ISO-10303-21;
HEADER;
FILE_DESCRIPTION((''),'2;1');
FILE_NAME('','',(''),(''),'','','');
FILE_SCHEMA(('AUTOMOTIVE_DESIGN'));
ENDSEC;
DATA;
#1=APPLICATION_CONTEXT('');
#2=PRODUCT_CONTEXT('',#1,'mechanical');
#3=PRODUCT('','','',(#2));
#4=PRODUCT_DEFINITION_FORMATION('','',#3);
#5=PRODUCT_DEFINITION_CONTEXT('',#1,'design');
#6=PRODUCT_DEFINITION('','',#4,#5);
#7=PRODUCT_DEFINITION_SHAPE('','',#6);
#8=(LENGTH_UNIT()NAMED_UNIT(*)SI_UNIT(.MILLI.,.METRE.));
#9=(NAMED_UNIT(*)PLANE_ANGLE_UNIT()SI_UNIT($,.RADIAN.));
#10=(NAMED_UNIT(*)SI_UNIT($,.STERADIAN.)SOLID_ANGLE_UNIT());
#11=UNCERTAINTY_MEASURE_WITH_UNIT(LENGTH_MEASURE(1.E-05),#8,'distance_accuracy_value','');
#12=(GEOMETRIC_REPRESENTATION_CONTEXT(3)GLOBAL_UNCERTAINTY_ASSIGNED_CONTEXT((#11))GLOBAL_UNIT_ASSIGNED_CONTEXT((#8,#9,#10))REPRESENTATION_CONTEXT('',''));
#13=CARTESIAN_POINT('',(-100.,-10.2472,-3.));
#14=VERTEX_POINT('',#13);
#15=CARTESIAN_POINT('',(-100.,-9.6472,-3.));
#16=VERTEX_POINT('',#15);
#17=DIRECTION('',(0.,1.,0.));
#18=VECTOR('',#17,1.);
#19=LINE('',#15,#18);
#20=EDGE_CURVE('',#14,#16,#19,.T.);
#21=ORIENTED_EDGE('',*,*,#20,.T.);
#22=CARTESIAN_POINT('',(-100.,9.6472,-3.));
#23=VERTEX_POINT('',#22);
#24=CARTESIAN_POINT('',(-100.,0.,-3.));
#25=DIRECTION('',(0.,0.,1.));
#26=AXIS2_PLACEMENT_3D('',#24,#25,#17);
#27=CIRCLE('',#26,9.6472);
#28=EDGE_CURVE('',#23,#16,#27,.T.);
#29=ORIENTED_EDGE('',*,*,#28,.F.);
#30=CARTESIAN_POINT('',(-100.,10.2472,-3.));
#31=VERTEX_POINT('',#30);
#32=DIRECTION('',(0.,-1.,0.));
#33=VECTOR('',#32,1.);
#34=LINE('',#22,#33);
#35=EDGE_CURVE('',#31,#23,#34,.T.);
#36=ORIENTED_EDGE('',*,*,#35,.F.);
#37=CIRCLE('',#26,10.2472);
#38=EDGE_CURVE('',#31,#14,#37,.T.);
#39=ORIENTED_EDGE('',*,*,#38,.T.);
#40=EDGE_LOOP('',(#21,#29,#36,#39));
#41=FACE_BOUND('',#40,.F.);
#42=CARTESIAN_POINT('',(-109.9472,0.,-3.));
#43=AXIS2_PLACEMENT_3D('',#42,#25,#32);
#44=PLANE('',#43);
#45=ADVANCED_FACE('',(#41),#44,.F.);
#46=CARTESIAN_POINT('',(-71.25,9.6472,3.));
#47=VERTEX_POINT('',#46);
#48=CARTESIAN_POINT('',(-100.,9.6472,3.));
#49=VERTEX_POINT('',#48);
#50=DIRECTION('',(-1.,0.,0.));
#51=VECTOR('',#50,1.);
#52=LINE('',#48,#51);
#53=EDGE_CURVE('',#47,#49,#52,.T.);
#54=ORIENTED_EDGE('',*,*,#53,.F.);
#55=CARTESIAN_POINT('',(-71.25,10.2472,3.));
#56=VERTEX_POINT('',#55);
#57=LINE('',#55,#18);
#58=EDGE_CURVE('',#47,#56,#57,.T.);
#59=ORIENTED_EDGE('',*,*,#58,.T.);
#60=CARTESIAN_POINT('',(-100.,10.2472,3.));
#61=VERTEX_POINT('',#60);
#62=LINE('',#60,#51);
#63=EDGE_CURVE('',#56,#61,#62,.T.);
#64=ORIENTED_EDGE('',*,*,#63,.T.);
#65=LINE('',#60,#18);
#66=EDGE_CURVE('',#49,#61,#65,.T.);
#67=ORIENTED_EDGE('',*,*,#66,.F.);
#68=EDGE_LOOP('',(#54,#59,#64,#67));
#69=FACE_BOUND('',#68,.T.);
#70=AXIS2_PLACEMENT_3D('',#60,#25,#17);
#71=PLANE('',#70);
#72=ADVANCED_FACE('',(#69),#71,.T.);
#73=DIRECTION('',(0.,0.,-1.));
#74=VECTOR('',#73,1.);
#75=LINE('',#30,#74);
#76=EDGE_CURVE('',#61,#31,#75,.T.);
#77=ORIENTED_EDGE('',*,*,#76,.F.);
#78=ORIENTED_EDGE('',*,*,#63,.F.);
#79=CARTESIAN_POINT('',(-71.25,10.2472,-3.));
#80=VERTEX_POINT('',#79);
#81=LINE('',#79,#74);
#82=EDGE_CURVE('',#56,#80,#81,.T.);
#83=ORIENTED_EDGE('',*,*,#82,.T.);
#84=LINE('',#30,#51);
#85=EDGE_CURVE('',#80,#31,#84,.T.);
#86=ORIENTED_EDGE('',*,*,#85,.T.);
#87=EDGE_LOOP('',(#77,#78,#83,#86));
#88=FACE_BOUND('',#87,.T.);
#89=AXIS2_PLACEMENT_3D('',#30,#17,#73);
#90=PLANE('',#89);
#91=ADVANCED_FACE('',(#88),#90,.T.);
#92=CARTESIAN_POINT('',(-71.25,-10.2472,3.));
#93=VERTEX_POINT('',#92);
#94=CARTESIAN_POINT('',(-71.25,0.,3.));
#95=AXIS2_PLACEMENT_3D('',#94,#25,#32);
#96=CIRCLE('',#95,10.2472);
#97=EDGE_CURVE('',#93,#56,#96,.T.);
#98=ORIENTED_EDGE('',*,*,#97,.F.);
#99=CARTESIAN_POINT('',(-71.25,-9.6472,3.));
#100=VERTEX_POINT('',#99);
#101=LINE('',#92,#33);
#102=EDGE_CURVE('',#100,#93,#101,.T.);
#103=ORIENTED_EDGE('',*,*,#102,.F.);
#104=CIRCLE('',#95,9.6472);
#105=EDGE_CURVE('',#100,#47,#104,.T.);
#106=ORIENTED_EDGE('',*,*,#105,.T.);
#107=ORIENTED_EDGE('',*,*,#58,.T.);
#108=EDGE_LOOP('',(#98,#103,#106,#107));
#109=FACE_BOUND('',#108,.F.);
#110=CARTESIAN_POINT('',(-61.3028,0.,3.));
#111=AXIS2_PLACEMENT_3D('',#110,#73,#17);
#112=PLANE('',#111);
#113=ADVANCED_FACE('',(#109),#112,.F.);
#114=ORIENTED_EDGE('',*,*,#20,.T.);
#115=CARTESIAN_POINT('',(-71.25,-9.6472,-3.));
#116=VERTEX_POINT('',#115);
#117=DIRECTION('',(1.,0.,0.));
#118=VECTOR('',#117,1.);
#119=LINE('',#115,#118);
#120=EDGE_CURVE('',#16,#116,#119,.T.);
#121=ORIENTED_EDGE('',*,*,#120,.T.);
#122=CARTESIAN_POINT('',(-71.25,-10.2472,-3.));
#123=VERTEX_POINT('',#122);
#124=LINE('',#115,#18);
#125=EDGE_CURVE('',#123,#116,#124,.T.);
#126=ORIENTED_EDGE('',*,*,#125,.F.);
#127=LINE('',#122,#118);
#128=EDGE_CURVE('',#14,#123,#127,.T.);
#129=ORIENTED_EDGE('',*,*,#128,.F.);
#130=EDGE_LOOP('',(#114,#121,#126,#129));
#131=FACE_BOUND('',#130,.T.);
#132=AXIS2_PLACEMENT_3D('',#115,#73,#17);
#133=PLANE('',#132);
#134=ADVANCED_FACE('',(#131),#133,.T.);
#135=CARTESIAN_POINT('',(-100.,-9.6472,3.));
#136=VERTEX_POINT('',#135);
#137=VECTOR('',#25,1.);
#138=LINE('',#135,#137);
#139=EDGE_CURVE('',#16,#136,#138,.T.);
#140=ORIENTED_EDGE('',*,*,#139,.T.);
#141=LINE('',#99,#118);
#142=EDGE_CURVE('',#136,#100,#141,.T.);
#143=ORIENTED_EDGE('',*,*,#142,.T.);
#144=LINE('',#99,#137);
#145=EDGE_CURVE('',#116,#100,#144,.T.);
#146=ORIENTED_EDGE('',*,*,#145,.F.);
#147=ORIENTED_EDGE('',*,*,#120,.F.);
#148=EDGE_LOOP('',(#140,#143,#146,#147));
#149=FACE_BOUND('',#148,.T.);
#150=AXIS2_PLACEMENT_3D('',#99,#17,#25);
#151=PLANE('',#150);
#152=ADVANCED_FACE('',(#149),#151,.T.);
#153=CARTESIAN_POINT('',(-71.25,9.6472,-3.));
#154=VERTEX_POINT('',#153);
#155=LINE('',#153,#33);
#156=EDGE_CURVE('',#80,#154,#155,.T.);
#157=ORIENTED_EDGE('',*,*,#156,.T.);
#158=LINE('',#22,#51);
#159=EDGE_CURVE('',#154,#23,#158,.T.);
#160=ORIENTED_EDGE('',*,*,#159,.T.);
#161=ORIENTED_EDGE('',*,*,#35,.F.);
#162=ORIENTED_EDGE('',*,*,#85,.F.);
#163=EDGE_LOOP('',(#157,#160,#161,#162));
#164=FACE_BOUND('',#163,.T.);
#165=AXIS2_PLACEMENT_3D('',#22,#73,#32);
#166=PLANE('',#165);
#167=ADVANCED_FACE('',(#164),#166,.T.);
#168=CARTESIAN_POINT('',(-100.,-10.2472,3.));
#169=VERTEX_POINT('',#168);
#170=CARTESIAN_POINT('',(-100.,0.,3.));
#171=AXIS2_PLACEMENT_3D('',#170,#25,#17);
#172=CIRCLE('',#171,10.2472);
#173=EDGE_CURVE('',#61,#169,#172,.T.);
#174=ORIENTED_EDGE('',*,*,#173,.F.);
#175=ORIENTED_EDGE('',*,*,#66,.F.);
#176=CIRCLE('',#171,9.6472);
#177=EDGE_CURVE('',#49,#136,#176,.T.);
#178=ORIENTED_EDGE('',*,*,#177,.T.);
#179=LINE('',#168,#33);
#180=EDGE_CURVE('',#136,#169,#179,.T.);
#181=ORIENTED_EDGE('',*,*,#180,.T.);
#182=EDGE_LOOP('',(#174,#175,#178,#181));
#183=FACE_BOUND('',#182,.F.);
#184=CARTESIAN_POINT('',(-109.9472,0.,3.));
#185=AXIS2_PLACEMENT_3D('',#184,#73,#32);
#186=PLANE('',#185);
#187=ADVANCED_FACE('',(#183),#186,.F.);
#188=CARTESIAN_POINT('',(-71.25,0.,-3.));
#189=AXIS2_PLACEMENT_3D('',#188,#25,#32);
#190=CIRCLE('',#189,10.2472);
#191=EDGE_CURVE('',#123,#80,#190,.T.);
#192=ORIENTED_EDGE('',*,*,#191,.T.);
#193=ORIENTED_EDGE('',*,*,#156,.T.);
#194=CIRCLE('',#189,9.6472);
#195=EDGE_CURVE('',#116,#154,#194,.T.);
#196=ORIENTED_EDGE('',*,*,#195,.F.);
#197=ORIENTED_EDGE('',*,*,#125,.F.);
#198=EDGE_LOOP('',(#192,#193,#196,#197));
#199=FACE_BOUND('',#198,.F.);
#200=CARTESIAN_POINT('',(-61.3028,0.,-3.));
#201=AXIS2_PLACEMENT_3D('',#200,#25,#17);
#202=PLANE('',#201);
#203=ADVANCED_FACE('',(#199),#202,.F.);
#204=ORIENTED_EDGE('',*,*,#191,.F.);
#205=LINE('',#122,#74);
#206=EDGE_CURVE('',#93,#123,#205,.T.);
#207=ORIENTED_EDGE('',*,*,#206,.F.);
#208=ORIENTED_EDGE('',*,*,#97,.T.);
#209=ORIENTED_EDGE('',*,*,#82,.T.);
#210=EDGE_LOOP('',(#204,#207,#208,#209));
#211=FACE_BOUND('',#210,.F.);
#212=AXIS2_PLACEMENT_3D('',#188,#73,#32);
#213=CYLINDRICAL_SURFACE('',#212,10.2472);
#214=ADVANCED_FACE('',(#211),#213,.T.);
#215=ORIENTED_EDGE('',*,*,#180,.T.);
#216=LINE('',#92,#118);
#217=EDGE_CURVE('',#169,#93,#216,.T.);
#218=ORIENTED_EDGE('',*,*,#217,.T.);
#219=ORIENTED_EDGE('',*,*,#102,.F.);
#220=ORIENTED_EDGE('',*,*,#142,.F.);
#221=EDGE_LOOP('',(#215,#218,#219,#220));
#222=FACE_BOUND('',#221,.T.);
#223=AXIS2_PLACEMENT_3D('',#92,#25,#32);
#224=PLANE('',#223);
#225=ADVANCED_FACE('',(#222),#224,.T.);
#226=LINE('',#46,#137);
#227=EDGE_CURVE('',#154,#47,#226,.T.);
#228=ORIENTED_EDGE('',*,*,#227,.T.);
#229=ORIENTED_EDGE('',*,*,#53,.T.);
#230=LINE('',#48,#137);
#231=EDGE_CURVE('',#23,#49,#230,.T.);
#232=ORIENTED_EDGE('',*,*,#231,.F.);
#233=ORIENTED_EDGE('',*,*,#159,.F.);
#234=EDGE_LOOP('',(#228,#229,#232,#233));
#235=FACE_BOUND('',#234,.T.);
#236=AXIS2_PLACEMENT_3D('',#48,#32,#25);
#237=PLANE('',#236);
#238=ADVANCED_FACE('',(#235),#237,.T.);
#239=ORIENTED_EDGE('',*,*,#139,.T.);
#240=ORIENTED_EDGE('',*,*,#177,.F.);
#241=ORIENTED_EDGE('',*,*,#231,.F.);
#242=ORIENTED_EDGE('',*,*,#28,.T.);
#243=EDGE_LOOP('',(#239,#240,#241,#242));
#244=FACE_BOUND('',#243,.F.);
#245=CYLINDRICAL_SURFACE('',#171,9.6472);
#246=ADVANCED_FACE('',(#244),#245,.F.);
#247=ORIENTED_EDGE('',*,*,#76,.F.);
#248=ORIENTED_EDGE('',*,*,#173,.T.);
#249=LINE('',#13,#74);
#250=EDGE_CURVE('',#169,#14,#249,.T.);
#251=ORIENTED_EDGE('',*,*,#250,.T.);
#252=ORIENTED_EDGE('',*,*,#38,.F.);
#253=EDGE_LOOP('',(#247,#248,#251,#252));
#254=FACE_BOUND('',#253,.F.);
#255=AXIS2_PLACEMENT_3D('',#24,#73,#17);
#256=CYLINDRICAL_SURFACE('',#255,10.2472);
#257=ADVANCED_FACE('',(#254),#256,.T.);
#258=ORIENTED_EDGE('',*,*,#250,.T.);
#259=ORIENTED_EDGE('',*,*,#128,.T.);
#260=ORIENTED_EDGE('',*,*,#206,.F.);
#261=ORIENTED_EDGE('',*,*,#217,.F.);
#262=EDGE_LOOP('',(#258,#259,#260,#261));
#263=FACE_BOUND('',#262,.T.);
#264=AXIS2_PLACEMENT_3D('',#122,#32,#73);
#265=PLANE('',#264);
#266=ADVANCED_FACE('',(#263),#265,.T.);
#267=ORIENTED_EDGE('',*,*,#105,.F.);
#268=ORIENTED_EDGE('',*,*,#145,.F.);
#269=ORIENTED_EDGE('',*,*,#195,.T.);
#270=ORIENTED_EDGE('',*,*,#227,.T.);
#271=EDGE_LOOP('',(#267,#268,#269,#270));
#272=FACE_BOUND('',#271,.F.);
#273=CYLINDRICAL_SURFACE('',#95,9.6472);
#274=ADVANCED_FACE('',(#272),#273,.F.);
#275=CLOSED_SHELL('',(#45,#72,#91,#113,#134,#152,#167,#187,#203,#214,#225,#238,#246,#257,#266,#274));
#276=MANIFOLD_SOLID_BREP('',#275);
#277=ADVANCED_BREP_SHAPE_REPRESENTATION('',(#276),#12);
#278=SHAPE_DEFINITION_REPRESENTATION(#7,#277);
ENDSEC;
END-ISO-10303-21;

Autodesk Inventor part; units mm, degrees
sketch "Sketch Path" plane through (0, 0, 0) normal (0, 0, 1) x (1, 0, 0)
  arc A0 (-100, 9.9472) -> (-100, -9.9472) centre (-100, 0) ccw
  arc A1 (-71.25, -9.9472) -> (-71.25, 9.9472) centre (-71.25, 0) ccw
  line L0 (-71.25, -9.9472) -> (-100, -9.9472)
  line L1 (-100, 9.9472) -> (-71.25, 9.9472)
ref_plane "Cross Section Plane" through (-100, -9.9472, 0) normal (1, 0, 0) x (0, 0, 1)
ref_plane "Work Plane2" through (-100, 0, 0) normal (-1, 0, 0) x (0, 0, 1)
ref_plane "Work Plane3" through (-71.25, 0, 0) normal (-0.9921, 0.1253, 0) x (0, 0, 1)
sketch "Cross Section" plane through (-100, -9.9472, 0) normal (1, 0, 0) x (0, 0, 1)
  line L0 (-3, 0.3) -> (3, 0.3)
  line L1 (3, 0.3) -> (3, -0.3)
  line L2 (3, -0.3) -> (-3, -0.3)
  line L3 (-3, -0.3) -> (-3, 0.3)
  line L4 (-3, 0) -> (3, 0) construction
  point P0 (0, 0)
  point P1 (0, 0)
  dimension "d0" = 6
  dimension "d4" = 0.3
  dimension "d5" = 0.3
sweep "Belt" add profiles "Cross Section" path "Sketch Path"
equation "\"d0\" = da_B"
equation "\"d4\" = da_a"
equation "\"d5\" = da_a2"
equation "\"da_B\" = 6"
equation "\"da_pb\" = 2.5"
equation "\"da_a\" = 0.3"
equation "\"da_S\" = 1.5"
equation "\"da_Beta\" = 20deg"
equation "\"da_Ht\" = 0.7"
equation "\"da_H\" = 1.3"
equation "\"da_a2\" = 0.3"
properties part number "Synchronous Belt" material "Rubber"
